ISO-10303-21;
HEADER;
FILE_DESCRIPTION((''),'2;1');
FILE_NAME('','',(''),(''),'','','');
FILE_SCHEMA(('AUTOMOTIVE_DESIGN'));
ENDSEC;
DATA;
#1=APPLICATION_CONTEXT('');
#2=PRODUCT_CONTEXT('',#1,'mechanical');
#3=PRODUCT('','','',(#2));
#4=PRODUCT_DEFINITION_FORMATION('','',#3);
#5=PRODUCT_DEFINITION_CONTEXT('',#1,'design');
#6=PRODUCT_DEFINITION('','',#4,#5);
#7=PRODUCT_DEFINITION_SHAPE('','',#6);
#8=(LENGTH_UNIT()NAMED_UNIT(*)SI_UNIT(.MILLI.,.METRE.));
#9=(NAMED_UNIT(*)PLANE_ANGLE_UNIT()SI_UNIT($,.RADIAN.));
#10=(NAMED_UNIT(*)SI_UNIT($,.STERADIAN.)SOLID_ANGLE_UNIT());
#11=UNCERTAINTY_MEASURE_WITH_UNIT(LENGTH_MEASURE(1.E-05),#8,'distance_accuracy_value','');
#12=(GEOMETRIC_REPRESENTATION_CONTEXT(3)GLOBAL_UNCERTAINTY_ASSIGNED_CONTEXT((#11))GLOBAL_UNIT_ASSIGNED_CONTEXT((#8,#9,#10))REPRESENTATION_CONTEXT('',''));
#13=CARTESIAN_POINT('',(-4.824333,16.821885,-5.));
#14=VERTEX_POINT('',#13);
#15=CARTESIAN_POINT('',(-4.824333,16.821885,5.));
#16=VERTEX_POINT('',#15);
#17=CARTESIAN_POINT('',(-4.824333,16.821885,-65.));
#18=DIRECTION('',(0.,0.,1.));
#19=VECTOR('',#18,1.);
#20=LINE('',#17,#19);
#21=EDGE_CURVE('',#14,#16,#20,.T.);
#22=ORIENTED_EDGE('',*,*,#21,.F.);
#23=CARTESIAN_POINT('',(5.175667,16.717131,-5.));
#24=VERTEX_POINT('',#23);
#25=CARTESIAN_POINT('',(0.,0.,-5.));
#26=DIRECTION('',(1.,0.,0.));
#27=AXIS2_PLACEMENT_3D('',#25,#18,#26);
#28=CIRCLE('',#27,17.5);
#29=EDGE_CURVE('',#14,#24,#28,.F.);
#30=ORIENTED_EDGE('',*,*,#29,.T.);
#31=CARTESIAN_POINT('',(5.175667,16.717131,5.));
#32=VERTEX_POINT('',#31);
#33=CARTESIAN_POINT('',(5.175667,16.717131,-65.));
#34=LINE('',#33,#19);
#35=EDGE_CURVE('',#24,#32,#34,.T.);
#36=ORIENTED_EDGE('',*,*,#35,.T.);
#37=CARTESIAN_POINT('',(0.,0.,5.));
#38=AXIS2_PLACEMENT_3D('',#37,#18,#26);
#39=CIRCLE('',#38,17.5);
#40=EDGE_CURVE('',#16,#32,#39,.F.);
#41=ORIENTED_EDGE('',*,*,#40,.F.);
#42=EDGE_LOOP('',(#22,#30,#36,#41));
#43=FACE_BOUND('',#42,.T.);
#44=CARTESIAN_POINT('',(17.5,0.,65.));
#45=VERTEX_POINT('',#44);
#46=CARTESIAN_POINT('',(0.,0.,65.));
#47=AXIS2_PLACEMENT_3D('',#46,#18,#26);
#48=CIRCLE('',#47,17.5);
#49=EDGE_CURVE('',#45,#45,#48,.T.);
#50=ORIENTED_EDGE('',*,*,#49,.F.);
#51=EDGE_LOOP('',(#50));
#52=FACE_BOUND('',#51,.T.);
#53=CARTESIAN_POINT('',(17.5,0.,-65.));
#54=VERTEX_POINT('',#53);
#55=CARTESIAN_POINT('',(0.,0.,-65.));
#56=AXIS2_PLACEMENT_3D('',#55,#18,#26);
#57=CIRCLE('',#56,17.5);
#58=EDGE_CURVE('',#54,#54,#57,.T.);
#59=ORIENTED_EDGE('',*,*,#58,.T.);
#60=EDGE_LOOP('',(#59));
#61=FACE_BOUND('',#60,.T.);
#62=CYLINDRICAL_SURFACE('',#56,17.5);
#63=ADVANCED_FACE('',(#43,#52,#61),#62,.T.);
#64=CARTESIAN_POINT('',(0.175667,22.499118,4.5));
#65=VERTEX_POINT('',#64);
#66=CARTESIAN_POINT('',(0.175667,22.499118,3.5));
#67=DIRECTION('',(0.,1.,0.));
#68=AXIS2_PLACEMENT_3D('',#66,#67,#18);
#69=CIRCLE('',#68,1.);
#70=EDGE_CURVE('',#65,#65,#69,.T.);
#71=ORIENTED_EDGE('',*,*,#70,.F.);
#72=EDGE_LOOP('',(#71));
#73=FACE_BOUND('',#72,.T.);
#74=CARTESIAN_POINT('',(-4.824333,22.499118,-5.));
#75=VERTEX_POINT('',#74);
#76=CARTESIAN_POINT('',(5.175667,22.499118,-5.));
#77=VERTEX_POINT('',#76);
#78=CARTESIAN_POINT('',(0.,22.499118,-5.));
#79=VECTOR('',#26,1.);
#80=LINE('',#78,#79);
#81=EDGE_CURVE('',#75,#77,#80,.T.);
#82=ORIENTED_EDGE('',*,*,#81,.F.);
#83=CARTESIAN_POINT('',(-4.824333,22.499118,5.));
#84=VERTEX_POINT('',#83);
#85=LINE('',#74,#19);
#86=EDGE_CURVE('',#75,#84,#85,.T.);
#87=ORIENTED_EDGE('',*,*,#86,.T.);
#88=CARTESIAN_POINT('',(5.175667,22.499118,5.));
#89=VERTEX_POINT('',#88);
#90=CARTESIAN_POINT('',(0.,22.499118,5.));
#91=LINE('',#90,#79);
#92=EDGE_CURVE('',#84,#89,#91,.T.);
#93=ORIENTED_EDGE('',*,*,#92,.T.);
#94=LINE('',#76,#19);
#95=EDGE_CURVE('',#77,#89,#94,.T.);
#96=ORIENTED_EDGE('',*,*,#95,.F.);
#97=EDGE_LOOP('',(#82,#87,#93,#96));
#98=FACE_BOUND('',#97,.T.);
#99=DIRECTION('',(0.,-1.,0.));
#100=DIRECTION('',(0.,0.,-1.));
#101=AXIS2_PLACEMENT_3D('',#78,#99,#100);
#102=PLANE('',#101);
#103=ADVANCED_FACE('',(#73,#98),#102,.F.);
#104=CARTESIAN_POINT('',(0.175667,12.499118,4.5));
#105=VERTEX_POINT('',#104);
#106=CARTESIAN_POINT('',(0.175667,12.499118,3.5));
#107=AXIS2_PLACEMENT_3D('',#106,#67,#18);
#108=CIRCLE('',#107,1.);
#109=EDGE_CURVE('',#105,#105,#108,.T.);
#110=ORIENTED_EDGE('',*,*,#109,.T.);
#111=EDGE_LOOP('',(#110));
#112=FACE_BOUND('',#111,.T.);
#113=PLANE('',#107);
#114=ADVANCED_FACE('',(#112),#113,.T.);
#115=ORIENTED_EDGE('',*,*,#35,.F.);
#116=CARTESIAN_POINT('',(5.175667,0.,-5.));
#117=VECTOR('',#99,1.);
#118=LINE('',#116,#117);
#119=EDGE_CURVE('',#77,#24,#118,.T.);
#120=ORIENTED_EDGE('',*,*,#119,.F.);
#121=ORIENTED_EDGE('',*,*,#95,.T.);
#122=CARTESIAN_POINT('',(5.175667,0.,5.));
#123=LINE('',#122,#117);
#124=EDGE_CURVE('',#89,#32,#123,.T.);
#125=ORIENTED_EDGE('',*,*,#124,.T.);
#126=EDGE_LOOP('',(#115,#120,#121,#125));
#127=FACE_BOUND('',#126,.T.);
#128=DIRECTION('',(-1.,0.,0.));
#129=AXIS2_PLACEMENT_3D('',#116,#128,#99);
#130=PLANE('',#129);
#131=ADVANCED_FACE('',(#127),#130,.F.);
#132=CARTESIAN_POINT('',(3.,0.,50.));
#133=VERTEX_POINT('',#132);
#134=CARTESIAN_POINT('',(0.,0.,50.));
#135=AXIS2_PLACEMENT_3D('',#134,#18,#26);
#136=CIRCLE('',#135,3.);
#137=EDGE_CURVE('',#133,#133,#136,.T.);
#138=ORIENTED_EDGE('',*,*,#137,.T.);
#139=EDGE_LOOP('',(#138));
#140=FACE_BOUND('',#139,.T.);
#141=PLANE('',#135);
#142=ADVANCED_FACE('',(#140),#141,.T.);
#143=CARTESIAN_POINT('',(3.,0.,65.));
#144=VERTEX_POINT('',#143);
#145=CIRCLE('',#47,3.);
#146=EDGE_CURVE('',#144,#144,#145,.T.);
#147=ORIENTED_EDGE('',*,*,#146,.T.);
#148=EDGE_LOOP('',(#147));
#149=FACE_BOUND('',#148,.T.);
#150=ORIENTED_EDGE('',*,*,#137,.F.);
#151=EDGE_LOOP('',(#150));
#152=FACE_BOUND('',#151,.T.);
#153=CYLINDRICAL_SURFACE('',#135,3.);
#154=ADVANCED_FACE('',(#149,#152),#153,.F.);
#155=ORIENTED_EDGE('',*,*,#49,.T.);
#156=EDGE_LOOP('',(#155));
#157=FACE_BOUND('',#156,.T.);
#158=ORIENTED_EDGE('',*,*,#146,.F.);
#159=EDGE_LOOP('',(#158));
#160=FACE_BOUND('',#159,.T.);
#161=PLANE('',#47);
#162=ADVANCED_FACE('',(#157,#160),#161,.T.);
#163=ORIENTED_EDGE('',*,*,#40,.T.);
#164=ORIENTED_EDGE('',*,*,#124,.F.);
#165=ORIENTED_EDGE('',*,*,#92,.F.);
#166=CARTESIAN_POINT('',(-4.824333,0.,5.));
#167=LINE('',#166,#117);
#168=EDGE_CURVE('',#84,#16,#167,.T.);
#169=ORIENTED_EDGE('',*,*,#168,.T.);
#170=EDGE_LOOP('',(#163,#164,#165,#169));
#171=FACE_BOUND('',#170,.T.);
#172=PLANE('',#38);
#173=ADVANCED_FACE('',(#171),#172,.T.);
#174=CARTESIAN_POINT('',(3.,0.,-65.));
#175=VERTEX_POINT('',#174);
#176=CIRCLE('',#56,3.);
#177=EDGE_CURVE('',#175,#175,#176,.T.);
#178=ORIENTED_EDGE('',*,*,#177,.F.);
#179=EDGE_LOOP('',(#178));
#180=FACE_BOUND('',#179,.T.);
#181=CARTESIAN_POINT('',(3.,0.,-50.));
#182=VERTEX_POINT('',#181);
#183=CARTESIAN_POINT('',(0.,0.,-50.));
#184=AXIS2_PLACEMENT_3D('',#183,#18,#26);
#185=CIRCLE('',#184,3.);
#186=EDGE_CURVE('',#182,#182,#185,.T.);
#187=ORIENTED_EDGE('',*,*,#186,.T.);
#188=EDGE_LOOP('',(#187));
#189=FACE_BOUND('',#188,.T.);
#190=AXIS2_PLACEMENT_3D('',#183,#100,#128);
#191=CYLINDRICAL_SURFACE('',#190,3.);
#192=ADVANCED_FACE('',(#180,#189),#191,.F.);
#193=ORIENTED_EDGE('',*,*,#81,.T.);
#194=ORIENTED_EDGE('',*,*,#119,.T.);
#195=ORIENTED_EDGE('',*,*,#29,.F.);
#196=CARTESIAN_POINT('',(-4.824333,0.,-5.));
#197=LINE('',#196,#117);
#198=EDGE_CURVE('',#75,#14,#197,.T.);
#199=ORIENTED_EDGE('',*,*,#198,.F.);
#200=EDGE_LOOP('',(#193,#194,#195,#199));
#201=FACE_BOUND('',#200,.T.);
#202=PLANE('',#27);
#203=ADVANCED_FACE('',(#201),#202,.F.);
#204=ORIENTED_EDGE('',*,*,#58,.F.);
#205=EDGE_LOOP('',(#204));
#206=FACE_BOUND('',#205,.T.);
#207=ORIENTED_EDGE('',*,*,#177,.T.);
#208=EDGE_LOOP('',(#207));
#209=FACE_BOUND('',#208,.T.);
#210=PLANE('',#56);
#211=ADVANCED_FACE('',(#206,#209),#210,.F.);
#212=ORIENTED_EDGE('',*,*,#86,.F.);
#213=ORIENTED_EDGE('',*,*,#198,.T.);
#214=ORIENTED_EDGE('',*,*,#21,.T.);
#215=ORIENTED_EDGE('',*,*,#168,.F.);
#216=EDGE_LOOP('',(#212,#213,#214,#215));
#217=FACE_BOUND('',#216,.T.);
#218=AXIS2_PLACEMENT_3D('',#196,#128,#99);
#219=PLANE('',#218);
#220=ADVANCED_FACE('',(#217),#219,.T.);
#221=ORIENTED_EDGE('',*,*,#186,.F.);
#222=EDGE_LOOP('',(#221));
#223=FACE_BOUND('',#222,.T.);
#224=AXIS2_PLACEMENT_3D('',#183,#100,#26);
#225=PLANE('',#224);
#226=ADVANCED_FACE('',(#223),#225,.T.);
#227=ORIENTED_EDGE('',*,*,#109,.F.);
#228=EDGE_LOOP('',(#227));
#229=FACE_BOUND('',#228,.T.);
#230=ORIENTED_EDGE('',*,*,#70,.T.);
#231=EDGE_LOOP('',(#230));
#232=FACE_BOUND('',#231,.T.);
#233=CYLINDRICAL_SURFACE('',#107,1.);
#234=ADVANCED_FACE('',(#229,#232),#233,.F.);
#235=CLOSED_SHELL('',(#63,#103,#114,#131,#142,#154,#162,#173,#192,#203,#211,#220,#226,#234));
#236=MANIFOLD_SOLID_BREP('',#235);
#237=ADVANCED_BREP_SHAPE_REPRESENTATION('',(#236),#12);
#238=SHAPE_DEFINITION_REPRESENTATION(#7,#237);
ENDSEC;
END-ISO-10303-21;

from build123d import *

# Parameters (mm, degrees)
BOSS_EXTRUDE2_DEPTH      = 65
BOSS_EXTRUDE2_DEPTH_BACK = 65
SKETCH1_R                = 17.5
BOSS_EXTRUDE3_DEPTH      = 5
BOSS_EXTRUDE3_DEPTH_BACK = 5
SKETCH3_R                = 3
CUT_EXTRUDE1_DEPTH       = 15
SKETCH4_R                = 1
CUT_EXTRUDE2_DEPTH       = 10


with BuildPart() as part:
    # Sketch1 → Boss-Extrude2 (new, two sides: drawn at the far end of the back side and taken through both)
    with BuildSketch(Plane.XY.offset(-BOSS_EXTRUDE2_DEPTH_BACK)):
        Circle(SKETCH1_R)
    extrude(amount=BOSS_EXTRUDE2_DEPTH + BOSS_EXTRUDE2_DEPTH_BACK)

    # Sketch2 → Boss-Extrude3 (add, two sides: drawn at the far end of the back side and taken through both)
    with BuildSketch(Plane.XY.offset(-BOSS_EXTRUDE3_DEPTH_BACK)):
        Polygon((5.175667468, 22.49911829), (-4.824332532, 22.49911829), (-4.824332532, 12.49911829), (0, 12.49911829), (5.175667468, 12.49911829), align=None)
    extrude(amount=BOSS_EXTRUDE3_DEPTH + BOSS_EXTRUDE3_DEPTH_BACK)

    # Sketch3 → Cut-Extrude1 (cut)
    with BuildSketch(Plane.XY.offset(65)):
        Circle(SKETCH3_R)
    cut_extrude1 = extrude(amount=-CUT_EXTRUDE1_DEPTH, mode=Mode.SUBTRACT)

    # Mirror1: Cut-Extrude1 across plane
    add(cut_extrude1.mirror(Plane.XY), mode=Mode.SUBTRACT)

    # Sketch4 → Cut-Extrude2 (cut)
    with BuildSketch(Plane(origin=(0, 22.49911829, 0), x_dir=(1, 0, 0), z_dir=(0, 1, 0))):
        with Locations((0.175667468, -3.5)):
            Circle(SKETCH4_R)
    extrude(amount=-CUT_EXTRUDE2_DEPTH, mode=Mode.SUBTRACT)


solid = part.part
